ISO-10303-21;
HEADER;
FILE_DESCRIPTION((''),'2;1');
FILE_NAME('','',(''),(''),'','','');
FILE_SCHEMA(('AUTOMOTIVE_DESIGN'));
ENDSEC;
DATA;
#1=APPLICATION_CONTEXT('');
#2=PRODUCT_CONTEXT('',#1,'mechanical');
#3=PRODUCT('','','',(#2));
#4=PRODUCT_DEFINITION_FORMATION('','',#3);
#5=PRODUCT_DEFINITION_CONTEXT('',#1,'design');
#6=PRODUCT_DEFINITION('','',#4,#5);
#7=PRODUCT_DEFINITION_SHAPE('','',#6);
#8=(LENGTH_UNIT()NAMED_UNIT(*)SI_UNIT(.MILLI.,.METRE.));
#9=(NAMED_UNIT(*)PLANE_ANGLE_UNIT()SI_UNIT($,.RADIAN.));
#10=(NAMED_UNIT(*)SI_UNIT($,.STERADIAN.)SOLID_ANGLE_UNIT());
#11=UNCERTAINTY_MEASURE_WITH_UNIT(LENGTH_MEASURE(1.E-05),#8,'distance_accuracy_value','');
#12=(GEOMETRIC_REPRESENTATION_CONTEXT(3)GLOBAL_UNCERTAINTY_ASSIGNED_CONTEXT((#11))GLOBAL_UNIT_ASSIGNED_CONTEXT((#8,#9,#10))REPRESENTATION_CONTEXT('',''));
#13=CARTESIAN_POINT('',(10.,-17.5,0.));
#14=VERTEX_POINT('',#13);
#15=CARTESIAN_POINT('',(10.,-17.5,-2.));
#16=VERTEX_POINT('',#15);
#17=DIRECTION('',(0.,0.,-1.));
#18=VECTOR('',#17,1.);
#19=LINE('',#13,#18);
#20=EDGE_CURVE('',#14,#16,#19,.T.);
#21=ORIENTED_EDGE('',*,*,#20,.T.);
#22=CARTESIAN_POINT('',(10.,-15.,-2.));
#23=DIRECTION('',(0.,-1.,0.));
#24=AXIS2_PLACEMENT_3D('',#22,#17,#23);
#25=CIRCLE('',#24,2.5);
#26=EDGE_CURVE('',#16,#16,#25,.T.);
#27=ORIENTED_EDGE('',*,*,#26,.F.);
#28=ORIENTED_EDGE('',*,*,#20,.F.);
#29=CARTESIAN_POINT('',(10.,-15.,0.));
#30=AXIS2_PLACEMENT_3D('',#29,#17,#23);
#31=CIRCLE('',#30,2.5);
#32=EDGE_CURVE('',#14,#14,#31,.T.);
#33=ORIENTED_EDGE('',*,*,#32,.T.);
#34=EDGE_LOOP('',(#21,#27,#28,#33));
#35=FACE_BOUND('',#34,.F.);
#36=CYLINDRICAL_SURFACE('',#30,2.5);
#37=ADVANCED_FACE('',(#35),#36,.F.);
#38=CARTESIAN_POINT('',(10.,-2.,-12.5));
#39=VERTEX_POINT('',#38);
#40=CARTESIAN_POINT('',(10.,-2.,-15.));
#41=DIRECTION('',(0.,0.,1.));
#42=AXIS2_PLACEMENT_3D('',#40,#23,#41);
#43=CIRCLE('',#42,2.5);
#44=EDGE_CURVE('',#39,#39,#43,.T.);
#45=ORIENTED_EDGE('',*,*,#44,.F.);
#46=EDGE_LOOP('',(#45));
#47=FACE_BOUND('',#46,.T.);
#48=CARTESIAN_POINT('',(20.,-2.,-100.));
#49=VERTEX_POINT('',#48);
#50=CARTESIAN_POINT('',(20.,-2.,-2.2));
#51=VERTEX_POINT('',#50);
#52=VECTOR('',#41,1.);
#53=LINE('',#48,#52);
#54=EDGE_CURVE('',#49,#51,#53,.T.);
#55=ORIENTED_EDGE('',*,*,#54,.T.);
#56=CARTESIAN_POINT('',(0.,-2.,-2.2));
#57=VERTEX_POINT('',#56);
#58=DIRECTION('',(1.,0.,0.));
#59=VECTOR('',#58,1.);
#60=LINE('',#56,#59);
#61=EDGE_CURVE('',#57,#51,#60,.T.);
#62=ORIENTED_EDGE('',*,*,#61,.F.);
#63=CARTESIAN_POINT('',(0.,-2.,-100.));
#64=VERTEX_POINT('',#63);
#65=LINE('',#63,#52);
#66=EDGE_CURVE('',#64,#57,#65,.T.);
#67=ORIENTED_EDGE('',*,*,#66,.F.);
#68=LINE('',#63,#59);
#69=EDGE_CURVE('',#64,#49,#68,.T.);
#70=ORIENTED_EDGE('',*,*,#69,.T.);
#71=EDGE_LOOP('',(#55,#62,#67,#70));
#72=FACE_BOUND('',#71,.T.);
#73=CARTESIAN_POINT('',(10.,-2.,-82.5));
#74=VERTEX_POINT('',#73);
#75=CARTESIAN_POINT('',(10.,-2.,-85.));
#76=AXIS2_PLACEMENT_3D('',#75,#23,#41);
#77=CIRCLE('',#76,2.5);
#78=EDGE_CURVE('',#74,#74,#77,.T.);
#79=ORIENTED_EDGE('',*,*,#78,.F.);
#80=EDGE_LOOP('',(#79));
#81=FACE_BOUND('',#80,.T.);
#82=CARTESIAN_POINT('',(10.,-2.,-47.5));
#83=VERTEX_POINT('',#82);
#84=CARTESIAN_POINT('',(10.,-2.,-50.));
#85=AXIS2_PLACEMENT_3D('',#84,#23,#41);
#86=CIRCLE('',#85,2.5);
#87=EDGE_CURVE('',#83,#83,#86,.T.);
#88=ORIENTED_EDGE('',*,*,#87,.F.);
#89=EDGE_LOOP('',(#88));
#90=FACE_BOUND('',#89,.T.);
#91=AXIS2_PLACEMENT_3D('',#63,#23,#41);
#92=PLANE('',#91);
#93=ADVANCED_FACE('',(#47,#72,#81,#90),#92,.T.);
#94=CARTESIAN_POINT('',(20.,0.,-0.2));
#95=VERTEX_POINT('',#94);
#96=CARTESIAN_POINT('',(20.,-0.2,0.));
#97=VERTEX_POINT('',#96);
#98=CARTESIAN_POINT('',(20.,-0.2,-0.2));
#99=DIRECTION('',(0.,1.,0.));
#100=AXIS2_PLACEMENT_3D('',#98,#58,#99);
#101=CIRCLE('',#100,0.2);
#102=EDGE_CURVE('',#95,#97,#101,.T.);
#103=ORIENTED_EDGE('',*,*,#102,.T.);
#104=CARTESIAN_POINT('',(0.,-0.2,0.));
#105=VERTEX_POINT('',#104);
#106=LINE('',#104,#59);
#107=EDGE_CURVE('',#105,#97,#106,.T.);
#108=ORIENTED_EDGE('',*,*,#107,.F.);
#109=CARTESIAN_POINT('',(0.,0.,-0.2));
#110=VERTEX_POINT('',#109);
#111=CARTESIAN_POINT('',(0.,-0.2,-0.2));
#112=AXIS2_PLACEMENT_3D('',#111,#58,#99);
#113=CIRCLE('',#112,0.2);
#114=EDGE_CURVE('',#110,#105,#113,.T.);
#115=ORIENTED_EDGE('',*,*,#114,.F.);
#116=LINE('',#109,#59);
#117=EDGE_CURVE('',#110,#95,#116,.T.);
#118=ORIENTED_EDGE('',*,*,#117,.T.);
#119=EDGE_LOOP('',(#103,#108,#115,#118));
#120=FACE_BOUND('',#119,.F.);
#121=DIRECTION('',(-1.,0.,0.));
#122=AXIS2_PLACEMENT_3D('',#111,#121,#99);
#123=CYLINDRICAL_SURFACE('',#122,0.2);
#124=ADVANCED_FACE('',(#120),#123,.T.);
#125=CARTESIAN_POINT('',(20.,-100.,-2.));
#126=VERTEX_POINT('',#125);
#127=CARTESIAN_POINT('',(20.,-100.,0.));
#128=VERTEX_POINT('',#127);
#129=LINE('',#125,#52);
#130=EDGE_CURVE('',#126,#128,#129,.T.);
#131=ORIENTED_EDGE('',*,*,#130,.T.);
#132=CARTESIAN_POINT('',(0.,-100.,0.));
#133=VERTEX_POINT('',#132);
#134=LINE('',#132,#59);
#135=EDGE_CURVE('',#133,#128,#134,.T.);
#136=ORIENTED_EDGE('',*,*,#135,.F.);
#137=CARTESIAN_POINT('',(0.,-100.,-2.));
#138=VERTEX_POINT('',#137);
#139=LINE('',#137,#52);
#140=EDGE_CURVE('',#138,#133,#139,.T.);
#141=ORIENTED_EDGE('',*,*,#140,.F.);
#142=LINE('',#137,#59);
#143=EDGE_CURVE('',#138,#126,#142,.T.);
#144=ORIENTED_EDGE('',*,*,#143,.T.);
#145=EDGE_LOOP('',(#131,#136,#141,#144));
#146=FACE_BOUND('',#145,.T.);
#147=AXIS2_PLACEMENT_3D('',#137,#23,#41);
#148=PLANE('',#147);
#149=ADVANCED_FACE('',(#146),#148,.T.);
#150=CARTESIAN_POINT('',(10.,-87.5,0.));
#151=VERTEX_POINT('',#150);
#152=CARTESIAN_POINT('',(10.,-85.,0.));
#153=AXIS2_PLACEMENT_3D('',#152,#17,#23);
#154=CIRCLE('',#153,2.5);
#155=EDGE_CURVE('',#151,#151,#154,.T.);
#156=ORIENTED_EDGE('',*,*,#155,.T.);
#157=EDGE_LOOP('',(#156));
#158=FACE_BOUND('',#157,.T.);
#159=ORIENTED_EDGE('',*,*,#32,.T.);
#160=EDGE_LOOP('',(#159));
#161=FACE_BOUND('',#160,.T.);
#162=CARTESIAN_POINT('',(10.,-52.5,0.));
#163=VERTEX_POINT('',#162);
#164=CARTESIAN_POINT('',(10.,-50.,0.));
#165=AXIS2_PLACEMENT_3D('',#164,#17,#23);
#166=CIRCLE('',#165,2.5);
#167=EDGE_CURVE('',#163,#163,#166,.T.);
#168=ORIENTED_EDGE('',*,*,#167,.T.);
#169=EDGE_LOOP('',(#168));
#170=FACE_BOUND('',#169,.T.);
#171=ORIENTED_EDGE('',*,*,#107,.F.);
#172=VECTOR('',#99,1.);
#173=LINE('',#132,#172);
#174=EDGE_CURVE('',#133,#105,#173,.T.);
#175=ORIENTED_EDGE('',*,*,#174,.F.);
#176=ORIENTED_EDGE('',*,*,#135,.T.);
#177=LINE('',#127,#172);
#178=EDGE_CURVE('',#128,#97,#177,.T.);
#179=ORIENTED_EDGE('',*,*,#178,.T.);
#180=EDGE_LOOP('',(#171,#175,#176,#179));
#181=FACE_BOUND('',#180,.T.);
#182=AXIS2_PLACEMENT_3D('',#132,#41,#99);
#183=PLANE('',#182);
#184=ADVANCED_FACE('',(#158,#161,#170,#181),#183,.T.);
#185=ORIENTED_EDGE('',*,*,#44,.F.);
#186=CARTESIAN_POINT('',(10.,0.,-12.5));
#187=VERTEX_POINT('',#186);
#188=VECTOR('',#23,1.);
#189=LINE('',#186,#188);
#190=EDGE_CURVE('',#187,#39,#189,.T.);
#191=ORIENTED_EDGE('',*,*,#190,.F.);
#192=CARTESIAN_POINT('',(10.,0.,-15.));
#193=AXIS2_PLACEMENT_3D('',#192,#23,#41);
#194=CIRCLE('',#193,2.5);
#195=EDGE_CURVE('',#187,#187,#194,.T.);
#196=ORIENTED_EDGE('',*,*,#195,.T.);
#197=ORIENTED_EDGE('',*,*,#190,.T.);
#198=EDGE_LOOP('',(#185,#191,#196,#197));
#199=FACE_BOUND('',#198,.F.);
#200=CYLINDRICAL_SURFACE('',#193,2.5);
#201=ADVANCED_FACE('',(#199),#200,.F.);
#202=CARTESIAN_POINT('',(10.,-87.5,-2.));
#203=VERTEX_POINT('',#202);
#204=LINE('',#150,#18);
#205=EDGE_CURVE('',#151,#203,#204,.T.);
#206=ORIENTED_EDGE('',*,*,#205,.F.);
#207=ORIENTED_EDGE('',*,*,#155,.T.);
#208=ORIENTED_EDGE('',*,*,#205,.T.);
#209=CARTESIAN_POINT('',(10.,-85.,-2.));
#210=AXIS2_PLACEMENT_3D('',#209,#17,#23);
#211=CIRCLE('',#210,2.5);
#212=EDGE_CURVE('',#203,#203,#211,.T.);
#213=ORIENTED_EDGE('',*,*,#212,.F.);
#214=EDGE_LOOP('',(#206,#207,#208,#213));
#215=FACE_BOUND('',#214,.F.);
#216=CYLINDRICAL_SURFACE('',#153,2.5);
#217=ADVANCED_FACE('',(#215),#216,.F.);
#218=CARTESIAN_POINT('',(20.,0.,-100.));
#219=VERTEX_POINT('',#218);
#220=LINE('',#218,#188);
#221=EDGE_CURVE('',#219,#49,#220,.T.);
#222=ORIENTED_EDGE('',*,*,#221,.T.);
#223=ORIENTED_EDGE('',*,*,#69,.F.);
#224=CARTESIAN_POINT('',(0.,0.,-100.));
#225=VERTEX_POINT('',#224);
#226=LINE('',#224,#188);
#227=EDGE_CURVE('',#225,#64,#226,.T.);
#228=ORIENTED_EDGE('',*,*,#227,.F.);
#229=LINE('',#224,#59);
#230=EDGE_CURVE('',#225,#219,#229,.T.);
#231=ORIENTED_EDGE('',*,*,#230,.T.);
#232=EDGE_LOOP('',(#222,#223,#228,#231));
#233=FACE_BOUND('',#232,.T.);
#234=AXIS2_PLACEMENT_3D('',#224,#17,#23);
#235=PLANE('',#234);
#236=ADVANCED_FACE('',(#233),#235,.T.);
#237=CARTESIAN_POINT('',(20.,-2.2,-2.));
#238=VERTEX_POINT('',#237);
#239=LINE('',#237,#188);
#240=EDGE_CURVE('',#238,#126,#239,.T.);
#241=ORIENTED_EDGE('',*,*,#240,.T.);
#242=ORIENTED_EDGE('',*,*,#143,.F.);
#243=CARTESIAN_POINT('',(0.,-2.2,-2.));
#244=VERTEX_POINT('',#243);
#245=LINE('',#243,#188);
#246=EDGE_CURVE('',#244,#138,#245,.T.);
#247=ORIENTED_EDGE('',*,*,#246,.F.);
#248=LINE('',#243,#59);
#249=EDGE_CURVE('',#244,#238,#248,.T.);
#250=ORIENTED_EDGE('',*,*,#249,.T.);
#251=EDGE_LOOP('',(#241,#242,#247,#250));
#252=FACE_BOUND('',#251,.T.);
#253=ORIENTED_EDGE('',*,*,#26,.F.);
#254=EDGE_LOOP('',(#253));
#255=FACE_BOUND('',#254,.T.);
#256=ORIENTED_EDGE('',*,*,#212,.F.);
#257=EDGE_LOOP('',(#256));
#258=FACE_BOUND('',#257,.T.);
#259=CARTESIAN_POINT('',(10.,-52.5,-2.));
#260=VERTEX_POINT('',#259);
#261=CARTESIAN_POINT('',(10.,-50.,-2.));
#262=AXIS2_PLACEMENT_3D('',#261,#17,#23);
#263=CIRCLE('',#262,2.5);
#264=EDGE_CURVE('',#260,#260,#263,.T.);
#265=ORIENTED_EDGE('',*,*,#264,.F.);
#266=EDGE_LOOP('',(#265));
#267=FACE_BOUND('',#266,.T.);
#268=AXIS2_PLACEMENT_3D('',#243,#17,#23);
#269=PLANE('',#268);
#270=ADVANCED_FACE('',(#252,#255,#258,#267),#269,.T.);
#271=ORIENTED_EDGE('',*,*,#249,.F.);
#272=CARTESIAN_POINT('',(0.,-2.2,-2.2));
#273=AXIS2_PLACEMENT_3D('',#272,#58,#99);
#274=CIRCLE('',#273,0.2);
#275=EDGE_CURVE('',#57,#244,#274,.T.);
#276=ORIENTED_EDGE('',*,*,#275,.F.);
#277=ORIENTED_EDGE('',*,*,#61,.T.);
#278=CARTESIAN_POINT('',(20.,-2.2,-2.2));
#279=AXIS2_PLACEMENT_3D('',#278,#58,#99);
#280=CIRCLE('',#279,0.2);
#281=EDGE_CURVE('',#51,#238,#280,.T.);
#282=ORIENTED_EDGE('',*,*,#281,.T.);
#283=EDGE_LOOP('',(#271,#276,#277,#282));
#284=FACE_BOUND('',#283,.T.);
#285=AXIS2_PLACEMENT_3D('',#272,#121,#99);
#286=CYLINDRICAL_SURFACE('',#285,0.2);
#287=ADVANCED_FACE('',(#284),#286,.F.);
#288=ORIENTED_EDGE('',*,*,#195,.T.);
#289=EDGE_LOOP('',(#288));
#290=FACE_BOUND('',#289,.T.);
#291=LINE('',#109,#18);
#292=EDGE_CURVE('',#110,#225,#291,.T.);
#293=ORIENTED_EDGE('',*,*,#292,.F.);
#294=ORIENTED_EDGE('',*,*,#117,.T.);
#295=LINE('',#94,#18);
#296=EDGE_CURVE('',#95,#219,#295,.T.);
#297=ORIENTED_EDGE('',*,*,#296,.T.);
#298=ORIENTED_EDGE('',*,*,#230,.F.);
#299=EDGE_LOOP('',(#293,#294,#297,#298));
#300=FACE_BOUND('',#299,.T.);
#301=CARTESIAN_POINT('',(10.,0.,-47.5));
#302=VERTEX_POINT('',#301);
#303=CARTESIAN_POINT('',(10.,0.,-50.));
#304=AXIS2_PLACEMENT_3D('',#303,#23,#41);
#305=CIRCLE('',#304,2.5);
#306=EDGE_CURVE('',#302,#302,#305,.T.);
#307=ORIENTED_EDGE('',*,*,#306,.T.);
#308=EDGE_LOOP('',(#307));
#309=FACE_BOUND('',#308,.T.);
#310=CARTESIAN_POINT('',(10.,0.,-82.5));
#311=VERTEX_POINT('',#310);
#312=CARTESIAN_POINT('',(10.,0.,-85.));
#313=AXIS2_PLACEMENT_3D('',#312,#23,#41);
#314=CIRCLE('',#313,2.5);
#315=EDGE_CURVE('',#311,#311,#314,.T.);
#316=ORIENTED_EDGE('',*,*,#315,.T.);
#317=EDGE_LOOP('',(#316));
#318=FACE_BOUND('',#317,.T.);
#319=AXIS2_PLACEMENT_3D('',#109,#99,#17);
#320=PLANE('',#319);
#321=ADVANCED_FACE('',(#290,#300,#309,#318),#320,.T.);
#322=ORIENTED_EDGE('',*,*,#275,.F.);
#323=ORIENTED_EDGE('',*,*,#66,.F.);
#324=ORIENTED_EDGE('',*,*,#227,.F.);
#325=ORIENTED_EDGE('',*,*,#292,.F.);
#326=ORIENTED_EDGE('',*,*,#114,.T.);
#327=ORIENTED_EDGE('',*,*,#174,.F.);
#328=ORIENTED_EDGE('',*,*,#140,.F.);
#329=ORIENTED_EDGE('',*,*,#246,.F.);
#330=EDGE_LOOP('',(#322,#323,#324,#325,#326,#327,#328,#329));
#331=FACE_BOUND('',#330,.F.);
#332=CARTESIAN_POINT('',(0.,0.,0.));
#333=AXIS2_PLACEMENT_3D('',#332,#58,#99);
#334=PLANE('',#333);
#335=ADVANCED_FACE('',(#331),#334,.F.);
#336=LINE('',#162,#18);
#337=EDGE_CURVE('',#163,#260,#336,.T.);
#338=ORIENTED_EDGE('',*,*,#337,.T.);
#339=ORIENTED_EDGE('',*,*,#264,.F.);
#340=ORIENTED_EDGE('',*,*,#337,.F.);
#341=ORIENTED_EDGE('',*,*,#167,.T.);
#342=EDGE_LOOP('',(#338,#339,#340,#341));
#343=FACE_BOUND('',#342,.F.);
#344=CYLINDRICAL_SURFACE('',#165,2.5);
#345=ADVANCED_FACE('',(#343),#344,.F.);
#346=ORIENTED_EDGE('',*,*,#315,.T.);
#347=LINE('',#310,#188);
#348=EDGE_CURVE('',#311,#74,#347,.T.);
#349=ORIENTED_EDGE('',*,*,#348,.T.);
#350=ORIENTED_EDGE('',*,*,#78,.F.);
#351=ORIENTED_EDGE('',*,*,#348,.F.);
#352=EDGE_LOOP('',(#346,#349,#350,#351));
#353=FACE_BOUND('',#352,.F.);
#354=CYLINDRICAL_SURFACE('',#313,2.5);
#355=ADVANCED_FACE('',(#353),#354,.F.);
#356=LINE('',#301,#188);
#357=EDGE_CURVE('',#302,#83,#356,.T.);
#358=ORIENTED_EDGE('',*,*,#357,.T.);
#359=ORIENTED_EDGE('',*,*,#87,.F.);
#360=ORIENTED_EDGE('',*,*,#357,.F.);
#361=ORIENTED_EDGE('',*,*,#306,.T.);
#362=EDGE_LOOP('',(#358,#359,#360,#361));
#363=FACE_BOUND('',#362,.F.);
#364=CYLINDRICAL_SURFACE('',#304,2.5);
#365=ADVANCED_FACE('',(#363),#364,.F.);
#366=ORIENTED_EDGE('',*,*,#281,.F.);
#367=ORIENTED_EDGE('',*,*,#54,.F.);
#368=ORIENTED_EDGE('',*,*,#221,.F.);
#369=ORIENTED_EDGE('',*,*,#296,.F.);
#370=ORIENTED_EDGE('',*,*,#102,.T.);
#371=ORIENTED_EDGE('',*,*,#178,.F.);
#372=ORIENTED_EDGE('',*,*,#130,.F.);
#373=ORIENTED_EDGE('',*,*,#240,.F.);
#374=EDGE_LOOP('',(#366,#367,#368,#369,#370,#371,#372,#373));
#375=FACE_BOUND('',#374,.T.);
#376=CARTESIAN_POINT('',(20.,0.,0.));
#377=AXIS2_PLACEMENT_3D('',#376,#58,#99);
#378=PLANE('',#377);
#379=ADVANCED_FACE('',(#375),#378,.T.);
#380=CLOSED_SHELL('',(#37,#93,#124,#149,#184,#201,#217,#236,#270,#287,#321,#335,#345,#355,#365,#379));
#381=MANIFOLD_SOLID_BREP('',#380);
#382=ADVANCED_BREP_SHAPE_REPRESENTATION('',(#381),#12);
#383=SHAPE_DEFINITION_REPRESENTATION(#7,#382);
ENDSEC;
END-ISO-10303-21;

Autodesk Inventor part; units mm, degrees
ref_plane "YZ Plane" through (0, 0, 0) normal (1, 0, 0) x (0, 1, 0)
ref_plane "XZ Plane" through (0, 0, 0) normal (0, 1, 0) x (-1, 0, 0)
ref_plane "XY Plane" through (0, 0, 0) normal (0, 0, 1) x (1, 0, 0)
sketch "Sketch1" plane through (0, 0, 0) normal (1, 0, 0) x (0, 1, 0)
  line L0 (0, -0.2) -> (0, -100)
  line L1 (0, -100) -> (-2, -100)
  line L2 (-2, -100) -> (-2, -2.2)
  line L3 (-2.2, -2) -> (-100, -2)
  line L4 (-100, -2) -> (-100, 0)
  line L5 (-100, 0) -> (-0.2, 0)
  arc A0 (-2, -2.2) -> (-2.2, -2) centre (-2.2, -2.2) ccw
  arc A1 (0, -0.2) -> (-0.2, 0) centre (-0.2, -0.2) ccw
  point P0 (0, 0)
  point P1 (-2, -2)
  dimension "d0" = 100
  dimension "d1" = 2
  dimension "d2" = 98
  dimension "d3" = 98
  dimension "d4" = 2
  dimension "d5" = 0.2
extrude "Extrusion1" add sketch "Sketch1" along normal blind 20
sketch "Sketch2" plane through (0, 0, -0.2) normal (0, 1, 0) x (1, 0, 0)
  line L0 (0, 99.8) -> (20, 99.8) projected
  line L1 (10, 99.8) -> (10, 2)
  line L2 (0, 2) -> (20, 2) projected
  line L3 (0, -0.2) -> (20, -0.2) projected
  point P0 (10, 14.8)
  point P1 (10, 49.8)
  point P2 (10, 84.8)
  dimension "d9" = 15
  dimension "d10" = 35
  dimension "d11" = 35
hole "Hole1" at (10, 0, -15) at (10, 0, -50) at (10, 0, -85) direction (0, -1, 0) diameter 5 end through all
sketch "Sketch3" plane through (0, -100, 0) normal (0, 0, 1) x (1, 0, 0)
  line L0 (0, 0) -> (20, 0) projected
  line L1 (10, 0) -> (10, 99.8)
  line L2 (0, 99.8) -> (20, 99.8) projected
  point P0 (0, 100)
  point P1 (10, 15)
  point P2 (10, 50)
  point P3 (10, 85)
  dimension "d19" = 15
  dimension "d20" = 35
  dimension "d21" = 35
hole "Hole2" at (10, -85, 0) at (10, -50, 0) at (10, -15, 0) direction (0, 0, -1) diameter 5 end through all
properties part number "100mmX20mmCornerBracket"
